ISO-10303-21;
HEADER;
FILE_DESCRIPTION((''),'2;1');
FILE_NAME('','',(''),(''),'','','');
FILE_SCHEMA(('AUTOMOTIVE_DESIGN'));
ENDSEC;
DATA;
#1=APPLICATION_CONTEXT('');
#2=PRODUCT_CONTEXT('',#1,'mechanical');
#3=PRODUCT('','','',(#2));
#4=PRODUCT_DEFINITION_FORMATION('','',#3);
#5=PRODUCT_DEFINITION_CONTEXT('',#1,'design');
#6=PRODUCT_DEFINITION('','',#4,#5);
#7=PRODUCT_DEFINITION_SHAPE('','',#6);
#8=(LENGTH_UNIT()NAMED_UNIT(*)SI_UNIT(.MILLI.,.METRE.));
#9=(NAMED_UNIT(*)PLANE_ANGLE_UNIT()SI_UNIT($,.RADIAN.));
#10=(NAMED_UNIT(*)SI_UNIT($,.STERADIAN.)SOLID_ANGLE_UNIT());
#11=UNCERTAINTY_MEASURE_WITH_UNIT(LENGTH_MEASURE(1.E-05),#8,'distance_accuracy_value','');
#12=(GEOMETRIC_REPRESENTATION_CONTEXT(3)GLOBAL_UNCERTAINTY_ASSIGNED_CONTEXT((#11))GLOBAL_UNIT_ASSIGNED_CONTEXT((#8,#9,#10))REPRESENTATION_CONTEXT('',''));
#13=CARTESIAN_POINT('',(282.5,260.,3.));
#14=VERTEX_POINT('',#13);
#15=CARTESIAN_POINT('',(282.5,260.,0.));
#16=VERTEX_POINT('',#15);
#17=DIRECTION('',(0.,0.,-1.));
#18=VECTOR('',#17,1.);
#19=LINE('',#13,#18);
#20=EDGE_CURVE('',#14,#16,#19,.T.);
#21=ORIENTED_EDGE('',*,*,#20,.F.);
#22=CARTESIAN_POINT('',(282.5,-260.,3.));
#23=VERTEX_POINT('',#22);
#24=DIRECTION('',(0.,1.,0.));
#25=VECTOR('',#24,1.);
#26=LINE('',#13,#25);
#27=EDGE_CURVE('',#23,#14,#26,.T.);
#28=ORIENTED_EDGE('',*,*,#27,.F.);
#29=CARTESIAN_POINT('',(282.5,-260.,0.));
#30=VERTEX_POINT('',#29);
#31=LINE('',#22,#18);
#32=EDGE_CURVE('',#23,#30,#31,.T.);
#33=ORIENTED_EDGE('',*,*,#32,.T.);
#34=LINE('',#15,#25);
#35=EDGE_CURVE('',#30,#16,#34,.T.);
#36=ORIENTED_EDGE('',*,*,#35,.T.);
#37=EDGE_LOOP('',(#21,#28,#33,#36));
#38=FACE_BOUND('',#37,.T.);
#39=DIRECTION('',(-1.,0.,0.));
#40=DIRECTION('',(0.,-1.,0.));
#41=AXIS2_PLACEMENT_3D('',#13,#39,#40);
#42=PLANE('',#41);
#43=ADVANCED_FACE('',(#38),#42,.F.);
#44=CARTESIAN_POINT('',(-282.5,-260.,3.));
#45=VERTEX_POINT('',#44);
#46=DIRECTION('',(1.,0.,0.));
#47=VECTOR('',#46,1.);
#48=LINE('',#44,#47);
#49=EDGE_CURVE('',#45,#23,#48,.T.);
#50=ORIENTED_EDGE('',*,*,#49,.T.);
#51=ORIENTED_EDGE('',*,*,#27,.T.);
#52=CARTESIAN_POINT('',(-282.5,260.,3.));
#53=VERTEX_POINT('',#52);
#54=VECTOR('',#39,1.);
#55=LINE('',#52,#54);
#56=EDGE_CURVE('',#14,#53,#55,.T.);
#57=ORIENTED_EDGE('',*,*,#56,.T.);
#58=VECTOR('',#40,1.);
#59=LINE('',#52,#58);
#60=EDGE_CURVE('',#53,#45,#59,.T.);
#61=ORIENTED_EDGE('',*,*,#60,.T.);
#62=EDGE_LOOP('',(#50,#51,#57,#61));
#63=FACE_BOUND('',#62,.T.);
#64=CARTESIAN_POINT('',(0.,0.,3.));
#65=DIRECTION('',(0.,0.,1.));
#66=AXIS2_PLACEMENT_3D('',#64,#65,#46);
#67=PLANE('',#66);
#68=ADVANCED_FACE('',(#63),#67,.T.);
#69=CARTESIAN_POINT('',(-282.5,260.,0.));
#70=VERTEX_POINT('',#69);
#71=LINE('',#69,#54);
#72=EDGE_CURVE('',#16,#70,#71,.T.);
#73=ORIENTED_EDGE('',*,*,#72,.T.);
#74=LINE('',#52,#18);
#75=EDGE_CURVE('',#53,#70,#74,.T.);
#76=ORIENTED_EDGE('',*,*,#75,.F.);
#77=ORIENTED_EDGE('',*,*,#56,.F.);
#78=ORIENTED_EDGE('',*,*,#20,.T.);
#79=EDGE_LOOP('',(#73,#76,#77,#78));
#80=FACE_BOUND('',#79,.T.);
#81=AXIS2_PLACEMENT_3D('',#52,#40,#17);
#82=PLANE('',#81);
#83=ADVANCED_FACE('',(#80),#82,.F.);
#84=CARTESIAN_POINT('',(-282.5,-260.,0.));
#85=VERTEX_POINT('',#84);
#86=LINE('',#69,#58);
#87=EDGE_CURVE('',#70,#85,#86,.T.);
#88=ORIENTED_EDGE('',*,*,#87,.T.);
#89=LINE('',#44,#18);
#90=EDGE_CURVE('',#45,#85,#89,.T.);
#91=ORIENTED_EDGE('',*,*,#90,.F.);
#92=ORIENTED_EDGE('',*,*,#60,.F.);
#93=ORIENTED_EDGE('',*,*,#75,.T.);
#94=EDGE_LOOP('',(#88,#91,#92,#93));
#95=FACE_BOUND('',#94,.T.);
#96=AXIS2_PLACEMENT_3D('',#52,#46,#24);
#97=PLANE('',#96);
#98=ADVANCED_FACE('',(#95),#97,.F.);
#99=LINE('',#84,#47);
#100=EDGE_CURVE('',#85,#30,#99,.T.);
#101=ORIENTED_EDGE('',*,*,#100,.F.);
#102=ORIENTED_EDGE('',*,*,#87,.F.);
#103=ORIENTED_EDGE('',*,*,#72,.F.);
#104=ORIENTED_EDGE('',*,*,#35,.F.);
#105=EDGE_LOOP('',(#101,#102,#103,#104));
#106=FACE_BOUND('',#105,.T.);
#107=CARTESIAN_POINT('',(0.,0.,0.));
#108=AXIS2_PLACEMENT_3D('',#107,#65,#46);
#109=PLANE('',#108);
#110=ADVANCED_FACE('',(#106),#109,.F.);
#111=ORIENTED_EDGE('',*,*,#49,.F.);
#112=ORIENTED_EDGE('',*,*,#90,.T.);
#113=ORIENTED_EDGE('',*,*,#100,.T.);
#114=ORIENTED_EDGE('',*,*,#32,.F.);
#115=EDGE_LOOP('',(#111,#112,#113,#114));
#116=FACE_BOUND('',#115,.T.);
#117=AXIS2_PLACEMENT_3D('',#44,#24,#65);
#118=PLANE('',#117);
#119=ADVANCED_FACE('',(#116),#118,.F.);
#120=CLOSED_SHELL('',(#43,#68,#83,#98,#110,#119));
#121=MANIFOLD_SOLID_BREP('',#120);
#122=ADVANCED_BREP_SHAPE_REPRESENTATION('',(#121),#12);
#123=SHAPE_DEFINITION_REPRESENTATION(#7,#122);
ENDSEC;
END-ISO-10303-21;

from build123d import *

# Parameters (mm, degrees)
SKICA1_W                = 565
SKICA1_H                = 520
P_IDAT_VYSUNUT_M1_DEPTH = 3


with BuildPart() as part:
    # Skica1 → Přidat vysunutím1 (new body)
    with BuildSketch(Plane.XY):
        Rectangle(SKICA1_W, SKICA1_H)
    extrude(amount=P_IDAT_VYSUNUT_M1_DEPTH)


solid = part.part
